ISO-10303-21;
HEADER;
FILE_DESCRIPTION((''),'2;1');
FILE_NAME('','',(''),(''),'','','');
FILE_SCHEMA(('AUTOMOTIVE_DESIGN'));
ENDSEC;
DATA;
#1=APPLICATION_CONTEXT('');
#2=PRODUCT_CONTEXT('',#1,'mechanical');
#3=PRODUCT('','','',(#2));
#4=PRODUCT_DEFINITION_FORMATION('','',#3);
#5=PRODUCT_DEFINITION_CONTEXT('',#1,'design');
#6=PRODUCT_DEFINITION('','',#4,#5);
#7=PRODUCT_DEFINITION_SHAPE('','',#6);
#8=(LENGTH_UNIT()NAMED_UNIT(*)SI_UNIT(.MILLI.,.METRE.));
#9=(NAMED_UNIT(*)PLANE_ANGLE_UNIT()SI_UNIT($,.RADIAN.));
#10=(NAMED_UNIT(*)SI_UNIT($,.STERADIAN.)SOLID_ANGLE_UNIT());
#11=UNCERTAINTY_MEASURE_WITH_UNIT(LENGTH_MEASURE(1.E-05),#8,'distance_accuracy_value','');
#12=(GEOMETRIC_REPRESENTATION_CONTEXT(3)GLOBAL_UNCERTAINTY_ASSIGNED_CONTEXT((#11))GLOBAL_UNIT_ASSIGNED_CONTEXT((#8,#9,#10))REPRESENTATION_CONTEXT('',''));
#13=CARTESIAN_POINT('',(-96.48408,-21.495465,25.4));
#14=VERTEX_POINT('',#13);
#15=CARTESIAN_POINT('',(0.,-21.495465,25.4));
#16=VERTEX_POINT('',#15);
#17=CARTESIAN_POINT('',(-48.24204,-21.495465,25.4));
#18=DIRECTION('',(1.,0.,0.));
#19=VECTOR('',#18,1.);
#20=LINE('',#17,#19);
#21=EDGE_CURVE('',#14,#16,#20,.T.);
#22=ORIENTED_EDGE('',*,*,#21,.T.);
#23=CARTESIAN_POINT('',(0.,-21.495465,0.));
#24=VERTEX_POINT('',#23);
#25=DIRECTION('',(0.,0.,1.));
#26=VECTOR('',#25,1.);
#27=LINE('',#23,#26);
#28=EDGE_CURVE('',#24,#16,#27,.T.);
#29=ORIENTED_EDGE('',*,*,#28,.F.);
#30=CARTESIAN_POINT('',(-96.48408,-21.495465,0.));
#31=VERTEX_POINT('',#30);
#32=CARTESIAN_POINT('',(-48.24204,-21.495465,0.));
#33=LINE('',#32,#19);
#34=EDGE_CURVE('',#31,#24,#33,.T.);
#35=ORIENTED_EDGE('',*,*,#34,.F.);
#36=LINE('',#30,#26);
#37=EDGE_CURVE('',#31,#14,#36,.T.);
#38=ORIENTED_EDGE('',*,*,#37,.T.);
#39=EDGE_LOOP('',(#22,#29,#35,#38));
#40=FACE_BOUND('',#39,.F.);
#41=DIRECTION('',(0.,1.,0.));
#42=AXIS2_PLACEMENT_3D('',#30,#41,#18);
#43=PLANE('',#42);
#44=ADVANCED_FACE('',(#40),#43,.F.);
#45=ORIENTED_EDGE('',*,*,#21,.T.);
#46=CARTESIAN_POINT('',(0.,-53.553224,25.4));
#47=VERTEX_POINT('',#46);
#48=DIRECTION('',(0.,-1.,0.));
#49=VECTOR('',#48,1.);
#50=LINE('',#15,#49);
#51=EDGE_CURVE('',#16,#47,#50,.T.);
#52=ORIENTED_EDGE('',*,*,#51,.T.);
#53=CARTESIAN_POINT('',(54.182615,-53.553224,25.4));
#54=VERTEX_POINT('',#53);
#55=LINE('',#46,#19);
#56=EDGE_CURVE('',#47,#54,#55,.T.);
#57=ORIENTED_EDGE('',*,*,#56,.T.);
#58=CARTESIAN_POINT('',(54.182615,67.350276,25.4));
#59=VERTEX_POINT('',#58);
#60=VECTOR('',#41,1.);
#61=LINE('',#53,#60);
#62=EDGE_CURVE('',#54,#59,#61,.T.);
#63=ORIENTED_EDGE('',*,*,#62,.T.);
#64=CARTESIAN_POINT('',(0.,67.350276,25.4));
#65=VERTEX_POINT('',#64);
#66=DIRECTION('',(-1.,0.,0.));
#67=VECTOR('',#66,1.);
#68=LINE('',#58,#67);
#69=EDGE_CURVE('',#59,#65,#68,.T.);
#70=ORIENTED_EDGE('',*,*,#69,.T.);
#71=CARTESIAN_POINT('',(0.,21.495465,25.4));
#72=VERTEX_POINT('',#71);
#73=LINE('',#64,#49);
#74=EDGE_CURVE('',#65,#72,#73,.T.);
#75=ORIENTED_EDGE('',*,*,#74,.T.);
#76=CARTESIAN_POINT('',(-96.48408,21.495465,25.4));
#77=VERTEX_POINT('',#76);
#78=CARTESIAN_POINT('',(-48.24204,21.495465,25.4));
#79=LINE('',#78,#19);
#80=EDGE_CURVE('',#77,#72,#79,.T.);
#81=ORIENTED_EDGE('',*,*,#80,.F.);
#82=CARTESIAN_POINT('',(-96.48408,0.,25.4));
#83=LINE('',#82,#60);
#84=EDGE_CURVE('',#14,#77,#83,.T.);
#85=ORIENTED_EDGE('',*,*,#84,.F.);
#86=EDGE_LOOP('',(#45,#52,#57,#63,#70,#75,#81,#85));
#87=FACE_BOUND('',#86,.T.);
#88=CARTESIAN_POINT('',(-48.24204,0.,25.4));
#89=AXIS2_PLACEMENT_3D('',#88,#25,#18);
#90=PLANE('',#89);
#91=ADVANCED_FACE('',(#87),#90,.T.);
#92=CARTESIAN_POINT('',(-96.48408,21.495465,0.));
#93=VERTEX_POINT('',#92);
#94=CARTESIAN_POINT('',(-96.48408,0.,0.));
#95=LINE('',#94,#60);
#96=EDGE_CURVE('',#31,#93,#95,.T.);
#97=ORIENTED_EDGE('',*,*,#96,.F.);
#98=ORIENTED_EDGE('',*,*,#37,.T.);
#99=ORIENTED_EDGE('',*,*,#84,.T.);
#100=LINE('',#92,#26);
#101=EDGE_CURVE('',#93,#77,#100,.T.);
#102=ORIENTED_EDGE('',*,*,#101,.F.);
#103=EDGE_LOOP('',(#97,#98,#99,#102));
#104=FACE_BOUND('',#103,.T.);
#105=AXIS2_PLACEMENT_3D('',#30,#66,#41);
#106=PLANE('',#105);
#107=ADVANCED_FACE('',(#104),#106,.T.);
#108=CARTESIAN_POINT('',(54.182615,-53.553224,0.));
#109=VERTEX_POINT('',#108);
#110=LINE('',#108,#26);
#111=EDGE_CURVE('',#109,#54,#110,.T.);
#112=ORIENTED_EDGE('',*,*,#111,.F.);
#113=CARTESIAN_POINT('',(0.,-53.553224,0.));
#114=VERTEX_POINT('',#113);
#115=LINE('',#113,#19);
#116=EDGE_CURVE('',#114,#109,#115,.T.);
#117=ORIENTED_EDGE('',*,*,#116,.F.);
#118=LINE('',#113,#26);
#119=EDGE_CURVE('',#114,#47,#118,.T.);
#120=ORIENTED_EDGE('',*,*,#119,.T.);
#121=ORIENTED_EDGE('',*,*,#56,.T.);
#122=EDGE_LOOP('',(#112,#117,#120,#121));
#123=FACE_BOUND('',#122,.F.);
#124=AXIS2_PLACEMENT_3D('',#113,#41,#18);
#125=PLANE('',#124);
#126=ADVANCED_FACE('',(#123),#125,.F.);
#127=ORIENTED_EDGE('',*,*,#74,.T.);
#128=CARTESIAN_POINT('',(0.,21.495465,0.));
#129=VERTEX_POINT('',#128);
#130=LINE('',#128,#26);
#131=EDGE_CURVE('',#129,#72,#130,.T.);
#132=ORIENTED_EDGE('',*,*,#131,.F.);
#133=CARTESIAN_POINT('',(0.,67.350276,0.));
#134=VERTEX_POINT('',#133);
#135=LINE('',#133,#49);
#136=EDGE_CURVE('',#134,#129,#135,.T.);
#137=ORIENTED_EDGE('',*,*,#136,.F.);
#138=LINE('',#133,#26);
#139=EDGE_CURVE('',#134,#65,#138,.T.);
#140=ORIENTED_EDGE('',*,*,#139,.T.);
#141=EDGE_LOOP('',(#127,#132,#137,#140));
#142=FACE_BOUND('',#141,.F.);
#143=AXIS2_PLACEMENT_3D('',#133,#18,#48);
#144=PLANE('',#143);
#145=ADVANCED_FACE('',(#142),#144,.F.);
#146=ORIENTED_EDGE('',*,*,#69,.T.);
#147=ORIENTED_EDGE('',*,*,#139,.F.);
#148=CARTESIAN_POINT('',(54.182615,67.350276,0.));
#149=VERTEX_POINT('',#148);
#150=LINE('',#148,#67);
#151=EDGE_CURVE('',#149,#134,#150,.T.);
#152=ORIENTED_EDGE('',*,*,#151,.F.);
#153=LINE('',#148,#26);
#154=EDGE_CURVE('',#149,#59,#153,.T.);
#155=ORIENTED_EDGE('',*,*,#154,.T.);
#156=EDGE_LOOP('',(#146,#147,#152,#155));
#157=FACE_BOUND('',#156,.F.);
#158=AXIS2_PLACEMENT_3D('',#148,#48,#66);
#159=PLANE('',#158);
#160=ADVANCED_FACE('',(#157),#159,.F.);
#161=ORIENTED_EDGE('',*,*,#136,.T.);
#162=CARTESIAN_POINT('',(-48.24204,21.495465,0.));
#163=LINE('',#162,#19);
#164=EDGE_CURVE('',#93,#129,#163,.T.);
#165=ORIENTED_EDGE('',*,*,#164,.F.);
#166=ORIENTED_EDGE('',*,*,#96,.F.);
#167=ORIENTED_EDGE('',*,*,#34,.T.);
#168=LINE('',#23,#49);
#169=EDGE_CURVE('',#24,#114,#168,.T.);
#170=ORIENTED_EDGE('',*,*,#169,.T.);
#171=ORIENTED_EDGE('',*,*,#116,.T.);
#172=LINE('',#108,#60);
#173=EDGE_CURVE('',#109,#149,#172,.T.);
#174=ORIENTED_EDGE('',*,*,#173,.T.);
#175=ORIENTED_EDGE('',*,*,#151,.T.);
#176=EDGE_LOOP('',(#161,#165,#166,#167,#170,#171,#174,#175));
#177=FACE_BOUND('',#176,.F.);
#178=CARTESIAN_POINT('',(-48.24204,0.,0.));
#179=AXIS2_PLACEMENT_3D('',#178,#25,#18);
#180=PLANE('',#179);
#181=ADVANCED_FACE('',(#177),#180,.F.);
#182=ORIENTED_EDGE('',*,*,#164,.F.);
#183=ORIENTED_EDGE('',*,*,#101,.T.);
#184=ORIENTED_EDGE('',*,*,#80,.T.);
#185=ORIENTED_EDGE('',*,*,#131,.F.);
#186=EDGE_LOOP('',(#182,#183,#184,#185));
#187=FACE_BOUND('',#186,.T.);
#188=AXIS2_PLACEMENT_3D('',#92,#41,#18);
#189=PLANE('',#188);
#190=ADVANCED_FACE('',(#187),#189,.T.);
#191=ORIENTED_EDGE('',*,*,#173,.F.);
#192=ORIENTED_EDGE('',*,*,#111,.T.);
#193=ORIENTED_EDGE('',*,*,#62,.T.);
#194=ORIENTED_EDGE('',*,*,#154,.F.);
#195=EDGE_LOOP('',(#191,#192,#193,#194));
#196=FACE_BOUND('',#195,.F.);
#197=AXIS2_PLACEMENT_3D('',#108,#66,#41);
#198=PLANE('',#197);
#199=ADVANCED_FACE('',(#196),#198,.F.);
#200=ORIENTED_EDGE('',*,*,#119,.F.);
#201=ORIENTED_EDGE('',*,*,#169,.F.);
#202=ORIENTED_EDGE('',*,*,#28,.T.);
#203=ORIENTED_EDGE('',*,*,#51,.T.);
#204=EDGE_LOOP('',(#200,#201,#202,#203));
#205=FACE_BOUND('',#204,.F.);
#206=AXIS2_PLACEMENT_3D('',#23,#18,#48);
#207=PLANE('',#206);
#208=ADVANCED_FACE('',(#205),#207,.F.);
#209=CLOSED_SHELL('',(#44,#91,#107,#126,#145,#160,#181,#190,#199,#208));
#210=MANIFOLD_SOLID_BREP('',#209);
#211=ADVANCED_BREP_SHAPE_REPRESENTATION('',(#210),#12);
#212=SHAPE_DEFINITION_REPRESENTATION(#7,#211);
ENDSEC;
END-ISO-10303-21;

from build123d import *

# Parameters (mm, degrees)
F0_W     = 96.48408
F0_H     = 42.99093
F1_DEPTH = 25.4


with BuildPart() as f1:
    # F0 (on Top) → F1 (new body)
    with BuildSketch(Plane.XY):
        with Locations((-48.24204, 0)):
            Rectangle(F0_W, F0_H)
        Polygon((0, 67.350276), (0, 21.495465), (0, -21.495465), (0, -53.553224), (54.182615, -53.553224), (54.182615, 67.350276), align=None)
    extrude(amount=F1_DEPTH)


solid = f1.part
